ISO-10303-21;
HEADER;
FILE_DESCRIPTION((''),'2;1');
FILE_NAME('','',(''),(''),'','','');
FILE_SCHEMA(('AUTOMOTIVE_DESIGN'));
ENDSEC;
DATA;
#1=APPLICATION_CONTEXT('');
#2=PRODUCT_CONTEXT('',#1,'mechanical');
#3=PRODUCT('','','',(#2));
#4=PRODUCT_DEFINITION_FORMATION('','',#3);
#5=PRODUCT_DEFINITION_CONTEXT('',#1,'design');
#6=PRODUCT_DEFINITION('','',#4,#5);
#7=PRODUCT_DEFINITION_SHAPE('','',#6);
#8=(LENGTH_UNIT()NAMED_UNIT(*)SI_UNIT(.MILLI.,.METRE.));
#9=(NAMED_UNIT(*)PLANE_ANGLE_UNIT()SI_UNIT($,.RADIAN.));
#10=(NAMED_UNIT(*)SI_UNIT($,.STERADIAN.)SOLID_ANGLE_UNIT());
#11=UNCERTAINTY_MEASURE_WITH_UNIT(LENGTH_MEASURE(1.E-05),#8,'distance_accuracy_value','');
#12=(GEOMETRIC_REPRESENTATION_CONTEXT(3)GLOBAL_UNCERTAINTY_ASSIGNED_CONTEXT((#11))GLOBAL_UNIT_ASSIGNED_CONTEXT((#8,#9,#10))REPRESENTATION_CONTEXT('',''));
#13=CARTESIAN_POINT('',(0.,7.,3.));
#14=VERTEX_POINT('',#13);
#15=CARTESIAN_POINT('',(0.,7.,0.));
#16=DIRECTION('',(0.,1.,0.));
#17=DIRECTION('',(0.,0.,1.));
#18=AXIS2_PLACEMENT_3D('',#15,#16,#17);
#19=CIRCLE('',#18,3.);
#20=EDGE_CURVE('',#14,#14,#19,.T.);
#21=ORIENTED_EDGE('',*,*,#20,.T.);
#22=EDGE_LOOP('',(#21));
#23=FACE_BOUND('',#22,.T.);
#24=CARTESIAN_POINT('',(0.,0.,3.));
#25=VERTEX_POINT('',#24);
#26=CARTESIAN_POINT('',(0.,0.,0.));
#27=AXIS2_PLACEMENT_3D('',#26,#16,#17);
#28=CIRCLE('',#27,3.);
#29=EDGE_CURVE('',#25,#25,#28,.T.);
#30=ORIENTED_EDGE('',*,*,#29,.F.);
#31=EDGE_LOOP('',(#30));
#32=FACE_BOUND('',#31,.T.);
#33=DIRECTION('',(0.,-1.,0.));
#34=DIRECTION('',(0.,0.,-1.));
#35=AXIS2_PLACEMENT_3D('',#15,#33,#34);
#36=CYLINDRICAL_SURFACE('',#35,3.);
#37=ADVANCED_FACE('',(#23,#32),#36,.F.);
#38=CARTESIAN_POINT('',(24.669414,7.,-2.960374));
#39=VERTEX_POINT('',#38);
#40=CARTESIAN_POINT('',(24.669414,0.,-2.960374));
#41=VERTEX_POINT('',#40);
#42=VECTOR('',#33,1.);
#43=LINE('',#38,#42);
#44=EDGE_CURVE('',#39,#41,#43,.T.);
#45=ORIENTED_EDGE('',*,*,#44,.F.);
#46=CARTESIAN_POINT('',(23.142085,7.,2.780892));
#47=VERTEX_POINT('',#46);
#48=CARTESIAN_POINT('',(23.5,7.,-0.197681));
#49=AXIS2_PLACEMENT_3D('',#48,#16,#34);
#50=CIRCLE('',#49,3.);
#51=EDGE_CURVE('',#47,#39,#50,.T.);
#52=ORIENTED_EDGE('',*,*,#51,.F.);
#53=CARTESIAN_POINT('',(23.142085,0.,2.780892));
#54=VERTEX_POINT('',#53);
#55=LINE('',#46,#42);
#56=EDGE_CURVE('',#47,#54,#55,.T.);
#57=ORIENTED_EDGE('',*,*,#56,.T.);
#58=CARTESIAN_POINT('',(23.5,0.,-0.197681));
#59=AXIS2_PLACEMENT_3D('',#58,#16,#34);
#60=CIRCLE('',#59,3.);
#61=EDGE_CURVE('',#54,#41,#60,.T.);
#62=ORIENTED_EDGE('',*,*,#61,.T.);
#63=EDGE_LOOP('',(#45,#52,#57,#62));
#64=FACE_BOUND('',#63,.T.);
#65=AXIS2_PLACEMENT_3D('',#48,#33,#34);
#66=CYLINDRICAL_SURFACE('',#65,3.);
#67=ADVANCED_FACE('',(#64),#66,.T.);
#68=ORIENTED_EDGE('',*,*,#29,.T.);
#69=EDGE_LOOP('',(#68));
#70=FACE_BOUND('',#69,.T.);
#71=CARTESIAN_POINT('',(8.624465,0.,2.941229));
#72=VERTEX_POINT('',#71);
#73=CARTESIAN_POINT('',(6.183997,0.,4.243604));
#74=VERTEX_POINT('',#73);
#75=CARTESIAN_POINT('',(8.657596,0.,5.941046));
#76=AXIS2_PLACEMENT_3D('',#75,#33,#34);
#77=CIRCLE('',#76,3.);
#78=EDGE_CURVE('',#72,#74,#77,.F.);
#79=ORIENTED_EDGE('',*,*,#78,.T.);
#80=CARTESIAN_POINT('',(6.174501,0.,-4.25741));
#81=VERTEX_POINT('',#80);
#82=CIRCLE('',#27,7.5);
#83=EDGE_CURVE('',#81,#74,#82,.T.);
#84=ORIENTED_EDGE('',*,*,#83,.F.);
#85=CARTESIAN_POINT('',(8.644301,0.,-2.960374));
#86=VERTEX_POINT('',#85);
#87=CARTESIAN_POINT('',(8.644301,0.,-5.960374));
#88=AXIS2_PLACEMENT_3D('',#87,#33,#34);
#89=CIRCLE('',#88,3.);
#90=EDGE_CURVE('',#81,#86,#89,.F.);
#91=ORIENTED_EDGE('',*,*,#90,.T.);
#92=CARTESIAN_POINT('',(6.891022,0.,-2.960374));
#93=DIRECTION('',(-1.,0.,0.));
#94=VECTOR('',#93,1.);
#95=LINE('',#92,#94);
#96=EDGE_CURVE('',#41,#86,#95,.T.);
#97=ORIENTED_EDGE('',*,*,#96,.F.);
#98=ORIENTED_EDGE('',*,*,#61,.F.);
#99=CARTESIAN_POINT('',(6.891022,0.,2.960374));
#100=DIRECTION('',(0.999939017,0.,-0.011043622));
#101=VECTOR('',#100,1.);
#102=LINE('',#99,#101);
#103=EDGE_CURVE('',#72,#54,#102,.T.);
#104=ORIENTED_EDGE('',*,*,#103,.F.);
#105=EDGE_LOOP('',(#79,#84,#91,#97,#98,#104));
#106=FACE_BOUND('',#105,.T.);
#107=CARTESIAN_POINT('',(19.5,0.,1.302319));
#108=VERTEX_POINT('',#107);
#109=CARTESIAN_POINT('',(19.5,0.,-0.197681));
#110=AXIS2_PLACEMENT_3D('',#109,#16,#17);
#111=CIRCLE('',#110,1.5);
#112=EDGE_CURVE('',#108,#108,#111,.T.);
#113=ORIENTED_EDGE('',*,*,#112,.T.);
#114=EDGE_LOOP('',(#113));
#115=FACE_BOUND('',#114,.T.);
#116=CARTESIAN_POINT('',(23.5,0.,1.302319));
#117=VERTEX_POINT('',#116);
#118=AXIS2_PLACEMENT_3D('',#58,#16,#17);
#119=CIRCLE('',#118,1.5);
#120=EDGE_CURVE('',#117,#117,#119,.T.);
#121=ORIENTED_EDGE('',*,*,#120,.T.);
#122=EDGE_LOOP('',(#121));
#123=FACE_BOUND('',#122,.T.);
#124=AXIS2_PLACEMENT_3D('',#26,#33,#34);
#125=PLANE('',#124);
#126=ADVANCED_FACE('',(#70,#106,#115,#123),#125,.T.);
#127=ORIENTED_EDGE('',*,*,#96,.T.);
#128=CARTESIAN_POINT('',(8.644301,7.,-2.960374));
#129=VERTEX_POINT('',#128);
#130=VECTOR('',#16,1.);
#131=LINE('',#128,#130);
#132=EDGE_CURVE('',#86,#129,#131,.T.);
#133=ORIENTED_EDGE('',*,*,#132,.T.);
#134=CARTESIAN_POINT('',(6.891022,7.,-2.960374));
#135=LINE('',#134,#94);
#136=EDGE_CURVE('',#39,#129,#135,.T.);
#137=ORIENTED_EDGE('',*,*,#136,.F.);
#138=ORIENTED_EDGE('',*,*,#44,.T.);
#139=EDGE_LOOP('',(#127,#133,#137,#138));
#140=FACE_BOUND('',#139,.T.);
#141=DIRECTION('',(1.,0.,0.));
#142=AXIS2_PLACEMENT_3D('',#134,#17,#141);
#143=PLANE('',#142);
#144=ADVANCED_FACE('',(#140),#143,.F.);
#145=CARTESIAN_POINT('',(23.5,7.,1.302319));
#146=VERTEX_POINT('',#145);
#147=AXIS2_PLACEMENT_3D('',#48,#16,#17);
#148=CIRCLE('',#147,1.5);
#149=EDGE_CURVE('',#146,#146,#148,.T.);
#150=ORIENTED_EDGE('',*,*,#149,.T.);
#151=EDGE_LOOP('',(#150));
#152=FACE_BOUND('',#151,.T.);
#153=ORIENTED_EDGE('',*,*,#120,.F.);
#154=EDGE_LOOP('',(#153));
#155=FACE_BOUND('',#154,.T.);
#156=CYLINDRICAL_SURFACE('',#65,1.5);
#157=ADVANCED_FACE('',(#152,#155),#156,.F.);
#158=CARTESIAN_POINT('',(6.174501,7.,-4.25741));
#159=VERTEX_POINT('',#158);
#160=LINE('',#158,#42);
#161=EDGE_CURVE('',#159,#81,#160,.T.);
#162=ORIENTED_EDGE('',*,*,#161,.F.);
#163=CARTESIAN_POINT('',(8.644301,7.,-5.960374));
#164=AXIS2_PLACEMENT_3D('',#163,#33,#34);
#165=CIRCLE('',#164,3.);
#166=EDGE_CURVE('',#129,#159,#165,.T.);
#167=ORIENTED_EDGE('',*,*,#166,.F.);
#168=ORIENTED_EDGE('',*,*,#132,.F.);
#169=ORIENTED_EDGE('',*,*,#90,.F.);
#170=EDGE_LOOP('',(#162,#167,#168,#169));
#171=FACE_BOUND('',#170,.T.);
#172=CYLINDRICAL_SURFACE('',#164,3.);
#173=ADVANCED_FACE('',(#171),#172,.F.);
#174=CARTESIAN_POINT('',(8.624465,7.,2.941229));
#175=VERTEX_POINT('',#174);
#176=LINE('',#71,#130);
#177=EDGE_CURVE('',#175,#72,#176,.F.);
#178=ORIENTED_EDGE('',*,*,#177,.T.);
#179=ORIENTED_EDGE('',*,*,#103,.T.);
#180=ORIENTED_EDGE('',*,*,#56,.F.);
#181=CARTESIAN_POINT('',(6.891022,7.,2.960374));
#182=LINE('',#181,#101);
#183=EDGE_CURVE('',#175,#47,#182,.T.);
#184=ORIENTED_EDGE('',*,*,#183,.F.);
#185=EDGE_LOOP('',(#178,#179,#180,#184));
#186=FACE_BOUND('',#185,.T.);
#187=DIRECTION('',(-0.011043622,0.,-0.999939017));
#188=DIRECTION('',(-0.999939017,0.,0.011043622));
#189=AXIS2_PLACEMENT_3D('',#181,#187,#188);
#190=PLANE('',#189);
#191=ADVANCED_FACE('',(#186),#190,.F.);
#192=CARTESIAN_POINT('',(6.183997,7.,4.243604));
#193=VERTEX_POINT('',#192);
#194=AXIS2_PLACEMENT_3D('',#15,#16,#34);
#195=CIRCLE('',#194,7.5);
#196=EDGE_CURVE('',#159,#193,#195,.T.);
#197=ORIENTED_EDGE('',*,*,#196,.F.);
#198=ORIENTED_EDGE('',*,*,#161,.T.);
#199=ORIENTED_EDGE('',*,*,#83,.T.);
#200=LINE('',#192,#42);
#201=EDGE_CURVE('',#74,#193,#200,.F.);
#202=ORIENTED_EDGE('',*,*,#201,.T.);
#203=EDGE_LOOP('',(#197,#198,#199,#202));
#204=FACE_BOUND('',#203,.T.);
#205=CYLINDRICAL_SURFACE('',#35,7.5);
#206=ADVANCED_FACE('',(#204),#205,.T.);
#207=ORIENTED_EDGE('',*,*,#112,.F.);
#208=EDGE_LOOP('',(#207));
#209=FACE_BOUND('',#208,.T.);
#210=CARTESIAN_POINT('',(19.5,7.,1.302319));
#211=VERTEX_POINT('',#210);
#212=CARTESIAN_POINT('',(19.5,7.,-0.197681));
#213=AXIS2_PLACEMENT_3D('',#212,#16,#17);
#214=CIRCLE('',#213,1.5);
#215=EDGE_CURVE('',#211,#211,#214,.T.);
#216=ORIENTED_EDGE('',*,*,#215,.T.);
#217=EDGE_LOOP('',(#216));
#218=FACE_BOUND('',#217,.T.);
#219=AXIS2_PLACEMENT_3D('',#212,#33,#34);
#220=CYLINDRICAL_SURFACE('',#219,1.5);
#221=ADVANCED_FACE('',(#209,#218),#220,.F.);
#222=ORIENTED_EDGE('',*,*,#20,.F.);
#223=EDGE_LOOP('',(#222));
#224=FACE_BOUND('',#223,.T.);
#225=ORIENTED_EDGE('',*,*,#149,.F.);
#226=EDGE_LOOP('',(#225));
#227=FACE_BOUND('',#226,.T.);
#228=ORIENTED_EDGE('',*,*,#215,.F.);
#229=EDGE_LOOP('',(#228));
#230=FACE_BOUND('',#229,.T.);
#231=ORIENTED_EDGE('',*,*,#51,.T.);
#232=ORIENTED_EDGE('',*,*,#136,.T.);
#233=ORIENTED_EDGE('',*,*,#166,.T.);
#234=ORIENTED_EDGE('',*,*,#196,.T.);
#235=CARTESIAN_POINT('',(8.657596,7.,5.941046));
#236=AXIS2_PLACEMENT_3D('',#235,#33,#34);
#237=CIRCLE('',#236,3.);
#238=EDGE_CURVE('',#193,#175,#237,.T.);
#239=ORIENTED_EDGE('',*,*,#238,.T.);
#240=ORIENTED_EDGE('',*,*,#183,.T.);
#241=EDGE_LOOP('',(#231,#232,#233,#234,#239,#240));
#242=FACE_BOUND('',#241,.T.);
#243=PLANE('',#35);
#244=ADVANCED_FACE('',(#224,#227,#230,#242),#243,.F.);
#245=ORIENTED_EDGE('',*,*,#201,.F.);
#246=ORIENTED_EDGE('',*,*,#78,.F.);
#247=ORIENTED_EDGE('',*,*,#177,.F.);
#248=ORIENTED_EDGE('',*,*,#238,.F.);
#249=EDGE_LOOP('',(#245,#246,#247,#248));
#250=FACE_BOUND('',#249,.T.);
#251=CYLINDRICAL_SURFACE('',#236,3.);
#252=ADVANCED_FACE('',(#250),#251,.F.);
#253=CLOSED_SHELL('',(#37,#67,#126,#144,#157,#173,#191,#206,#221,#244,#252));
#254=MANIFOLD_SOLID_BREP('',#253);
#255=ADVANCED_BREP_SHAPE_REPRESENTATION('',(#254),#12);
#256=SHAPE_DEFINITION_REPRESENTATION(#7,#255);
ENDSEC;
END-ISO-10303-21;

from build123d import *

# Parameters (mm, degrees)
SKETCH4_R           = 1.5
SKETCH4_R_2         = 3
BOSS_EXTRUDE1_DEPTH = 7
FILLET1_R           = 3


with BuildPart() as part:
    # Sketch4 → Boss-Extrude1 (new body)
    with BuildSketch(Plane(origin=(0, 0, 0), x_dir=(1, 0, 0), z_dir=(0, 1, 0))):
        with BuildLine():
            Line((6.89102232, 2.960373522), (24.66941446, 2.960373522))
            ThreePointArc((24.66941446, 2.960373522), (26.39916632, -0.573574214), (23.142085355, -2.780891971))
            Line((23.142085355, -2.780891971), (6.89102232, -2.960373522))
            ThreePointArc((6.89102232, -2.960373522), (4.125966468, -6.263098331), (0, -7.5))
            ThreePointArc((0, -7.5), (-7.5, 0), (0, 7.5))
            ThreePointArc((0, 7.5), (4.125966468, 6.263098331), (6.89102232, 2.960373522))
        make_face()
        with Locations((23.5, 0.197681027)):
            Circle(SKETCH4_R, mode=Mode.SUBTRACT)
        with Locations((19.5, 0.197681027)):
            Circle(SKETCH4_R, mode=Mode.SUBTRACT)
        Circle(SKETCH4_R_2, mode=Mode.SUBTRACT)
    extrude(amount=BOSS_EXTRUDE1_DEPTH)

    # Fillet1
    fillet1_edges = [part.edges().sort_by_distance(p)[0] for p in [
        (6.89102232, 3.5, -2.960373522),
        (6.89102232, 3.5, 2.960373522),
    ]]
    fillet(fillet1_edges, radius=FILLET1_R)


solid = part.part
